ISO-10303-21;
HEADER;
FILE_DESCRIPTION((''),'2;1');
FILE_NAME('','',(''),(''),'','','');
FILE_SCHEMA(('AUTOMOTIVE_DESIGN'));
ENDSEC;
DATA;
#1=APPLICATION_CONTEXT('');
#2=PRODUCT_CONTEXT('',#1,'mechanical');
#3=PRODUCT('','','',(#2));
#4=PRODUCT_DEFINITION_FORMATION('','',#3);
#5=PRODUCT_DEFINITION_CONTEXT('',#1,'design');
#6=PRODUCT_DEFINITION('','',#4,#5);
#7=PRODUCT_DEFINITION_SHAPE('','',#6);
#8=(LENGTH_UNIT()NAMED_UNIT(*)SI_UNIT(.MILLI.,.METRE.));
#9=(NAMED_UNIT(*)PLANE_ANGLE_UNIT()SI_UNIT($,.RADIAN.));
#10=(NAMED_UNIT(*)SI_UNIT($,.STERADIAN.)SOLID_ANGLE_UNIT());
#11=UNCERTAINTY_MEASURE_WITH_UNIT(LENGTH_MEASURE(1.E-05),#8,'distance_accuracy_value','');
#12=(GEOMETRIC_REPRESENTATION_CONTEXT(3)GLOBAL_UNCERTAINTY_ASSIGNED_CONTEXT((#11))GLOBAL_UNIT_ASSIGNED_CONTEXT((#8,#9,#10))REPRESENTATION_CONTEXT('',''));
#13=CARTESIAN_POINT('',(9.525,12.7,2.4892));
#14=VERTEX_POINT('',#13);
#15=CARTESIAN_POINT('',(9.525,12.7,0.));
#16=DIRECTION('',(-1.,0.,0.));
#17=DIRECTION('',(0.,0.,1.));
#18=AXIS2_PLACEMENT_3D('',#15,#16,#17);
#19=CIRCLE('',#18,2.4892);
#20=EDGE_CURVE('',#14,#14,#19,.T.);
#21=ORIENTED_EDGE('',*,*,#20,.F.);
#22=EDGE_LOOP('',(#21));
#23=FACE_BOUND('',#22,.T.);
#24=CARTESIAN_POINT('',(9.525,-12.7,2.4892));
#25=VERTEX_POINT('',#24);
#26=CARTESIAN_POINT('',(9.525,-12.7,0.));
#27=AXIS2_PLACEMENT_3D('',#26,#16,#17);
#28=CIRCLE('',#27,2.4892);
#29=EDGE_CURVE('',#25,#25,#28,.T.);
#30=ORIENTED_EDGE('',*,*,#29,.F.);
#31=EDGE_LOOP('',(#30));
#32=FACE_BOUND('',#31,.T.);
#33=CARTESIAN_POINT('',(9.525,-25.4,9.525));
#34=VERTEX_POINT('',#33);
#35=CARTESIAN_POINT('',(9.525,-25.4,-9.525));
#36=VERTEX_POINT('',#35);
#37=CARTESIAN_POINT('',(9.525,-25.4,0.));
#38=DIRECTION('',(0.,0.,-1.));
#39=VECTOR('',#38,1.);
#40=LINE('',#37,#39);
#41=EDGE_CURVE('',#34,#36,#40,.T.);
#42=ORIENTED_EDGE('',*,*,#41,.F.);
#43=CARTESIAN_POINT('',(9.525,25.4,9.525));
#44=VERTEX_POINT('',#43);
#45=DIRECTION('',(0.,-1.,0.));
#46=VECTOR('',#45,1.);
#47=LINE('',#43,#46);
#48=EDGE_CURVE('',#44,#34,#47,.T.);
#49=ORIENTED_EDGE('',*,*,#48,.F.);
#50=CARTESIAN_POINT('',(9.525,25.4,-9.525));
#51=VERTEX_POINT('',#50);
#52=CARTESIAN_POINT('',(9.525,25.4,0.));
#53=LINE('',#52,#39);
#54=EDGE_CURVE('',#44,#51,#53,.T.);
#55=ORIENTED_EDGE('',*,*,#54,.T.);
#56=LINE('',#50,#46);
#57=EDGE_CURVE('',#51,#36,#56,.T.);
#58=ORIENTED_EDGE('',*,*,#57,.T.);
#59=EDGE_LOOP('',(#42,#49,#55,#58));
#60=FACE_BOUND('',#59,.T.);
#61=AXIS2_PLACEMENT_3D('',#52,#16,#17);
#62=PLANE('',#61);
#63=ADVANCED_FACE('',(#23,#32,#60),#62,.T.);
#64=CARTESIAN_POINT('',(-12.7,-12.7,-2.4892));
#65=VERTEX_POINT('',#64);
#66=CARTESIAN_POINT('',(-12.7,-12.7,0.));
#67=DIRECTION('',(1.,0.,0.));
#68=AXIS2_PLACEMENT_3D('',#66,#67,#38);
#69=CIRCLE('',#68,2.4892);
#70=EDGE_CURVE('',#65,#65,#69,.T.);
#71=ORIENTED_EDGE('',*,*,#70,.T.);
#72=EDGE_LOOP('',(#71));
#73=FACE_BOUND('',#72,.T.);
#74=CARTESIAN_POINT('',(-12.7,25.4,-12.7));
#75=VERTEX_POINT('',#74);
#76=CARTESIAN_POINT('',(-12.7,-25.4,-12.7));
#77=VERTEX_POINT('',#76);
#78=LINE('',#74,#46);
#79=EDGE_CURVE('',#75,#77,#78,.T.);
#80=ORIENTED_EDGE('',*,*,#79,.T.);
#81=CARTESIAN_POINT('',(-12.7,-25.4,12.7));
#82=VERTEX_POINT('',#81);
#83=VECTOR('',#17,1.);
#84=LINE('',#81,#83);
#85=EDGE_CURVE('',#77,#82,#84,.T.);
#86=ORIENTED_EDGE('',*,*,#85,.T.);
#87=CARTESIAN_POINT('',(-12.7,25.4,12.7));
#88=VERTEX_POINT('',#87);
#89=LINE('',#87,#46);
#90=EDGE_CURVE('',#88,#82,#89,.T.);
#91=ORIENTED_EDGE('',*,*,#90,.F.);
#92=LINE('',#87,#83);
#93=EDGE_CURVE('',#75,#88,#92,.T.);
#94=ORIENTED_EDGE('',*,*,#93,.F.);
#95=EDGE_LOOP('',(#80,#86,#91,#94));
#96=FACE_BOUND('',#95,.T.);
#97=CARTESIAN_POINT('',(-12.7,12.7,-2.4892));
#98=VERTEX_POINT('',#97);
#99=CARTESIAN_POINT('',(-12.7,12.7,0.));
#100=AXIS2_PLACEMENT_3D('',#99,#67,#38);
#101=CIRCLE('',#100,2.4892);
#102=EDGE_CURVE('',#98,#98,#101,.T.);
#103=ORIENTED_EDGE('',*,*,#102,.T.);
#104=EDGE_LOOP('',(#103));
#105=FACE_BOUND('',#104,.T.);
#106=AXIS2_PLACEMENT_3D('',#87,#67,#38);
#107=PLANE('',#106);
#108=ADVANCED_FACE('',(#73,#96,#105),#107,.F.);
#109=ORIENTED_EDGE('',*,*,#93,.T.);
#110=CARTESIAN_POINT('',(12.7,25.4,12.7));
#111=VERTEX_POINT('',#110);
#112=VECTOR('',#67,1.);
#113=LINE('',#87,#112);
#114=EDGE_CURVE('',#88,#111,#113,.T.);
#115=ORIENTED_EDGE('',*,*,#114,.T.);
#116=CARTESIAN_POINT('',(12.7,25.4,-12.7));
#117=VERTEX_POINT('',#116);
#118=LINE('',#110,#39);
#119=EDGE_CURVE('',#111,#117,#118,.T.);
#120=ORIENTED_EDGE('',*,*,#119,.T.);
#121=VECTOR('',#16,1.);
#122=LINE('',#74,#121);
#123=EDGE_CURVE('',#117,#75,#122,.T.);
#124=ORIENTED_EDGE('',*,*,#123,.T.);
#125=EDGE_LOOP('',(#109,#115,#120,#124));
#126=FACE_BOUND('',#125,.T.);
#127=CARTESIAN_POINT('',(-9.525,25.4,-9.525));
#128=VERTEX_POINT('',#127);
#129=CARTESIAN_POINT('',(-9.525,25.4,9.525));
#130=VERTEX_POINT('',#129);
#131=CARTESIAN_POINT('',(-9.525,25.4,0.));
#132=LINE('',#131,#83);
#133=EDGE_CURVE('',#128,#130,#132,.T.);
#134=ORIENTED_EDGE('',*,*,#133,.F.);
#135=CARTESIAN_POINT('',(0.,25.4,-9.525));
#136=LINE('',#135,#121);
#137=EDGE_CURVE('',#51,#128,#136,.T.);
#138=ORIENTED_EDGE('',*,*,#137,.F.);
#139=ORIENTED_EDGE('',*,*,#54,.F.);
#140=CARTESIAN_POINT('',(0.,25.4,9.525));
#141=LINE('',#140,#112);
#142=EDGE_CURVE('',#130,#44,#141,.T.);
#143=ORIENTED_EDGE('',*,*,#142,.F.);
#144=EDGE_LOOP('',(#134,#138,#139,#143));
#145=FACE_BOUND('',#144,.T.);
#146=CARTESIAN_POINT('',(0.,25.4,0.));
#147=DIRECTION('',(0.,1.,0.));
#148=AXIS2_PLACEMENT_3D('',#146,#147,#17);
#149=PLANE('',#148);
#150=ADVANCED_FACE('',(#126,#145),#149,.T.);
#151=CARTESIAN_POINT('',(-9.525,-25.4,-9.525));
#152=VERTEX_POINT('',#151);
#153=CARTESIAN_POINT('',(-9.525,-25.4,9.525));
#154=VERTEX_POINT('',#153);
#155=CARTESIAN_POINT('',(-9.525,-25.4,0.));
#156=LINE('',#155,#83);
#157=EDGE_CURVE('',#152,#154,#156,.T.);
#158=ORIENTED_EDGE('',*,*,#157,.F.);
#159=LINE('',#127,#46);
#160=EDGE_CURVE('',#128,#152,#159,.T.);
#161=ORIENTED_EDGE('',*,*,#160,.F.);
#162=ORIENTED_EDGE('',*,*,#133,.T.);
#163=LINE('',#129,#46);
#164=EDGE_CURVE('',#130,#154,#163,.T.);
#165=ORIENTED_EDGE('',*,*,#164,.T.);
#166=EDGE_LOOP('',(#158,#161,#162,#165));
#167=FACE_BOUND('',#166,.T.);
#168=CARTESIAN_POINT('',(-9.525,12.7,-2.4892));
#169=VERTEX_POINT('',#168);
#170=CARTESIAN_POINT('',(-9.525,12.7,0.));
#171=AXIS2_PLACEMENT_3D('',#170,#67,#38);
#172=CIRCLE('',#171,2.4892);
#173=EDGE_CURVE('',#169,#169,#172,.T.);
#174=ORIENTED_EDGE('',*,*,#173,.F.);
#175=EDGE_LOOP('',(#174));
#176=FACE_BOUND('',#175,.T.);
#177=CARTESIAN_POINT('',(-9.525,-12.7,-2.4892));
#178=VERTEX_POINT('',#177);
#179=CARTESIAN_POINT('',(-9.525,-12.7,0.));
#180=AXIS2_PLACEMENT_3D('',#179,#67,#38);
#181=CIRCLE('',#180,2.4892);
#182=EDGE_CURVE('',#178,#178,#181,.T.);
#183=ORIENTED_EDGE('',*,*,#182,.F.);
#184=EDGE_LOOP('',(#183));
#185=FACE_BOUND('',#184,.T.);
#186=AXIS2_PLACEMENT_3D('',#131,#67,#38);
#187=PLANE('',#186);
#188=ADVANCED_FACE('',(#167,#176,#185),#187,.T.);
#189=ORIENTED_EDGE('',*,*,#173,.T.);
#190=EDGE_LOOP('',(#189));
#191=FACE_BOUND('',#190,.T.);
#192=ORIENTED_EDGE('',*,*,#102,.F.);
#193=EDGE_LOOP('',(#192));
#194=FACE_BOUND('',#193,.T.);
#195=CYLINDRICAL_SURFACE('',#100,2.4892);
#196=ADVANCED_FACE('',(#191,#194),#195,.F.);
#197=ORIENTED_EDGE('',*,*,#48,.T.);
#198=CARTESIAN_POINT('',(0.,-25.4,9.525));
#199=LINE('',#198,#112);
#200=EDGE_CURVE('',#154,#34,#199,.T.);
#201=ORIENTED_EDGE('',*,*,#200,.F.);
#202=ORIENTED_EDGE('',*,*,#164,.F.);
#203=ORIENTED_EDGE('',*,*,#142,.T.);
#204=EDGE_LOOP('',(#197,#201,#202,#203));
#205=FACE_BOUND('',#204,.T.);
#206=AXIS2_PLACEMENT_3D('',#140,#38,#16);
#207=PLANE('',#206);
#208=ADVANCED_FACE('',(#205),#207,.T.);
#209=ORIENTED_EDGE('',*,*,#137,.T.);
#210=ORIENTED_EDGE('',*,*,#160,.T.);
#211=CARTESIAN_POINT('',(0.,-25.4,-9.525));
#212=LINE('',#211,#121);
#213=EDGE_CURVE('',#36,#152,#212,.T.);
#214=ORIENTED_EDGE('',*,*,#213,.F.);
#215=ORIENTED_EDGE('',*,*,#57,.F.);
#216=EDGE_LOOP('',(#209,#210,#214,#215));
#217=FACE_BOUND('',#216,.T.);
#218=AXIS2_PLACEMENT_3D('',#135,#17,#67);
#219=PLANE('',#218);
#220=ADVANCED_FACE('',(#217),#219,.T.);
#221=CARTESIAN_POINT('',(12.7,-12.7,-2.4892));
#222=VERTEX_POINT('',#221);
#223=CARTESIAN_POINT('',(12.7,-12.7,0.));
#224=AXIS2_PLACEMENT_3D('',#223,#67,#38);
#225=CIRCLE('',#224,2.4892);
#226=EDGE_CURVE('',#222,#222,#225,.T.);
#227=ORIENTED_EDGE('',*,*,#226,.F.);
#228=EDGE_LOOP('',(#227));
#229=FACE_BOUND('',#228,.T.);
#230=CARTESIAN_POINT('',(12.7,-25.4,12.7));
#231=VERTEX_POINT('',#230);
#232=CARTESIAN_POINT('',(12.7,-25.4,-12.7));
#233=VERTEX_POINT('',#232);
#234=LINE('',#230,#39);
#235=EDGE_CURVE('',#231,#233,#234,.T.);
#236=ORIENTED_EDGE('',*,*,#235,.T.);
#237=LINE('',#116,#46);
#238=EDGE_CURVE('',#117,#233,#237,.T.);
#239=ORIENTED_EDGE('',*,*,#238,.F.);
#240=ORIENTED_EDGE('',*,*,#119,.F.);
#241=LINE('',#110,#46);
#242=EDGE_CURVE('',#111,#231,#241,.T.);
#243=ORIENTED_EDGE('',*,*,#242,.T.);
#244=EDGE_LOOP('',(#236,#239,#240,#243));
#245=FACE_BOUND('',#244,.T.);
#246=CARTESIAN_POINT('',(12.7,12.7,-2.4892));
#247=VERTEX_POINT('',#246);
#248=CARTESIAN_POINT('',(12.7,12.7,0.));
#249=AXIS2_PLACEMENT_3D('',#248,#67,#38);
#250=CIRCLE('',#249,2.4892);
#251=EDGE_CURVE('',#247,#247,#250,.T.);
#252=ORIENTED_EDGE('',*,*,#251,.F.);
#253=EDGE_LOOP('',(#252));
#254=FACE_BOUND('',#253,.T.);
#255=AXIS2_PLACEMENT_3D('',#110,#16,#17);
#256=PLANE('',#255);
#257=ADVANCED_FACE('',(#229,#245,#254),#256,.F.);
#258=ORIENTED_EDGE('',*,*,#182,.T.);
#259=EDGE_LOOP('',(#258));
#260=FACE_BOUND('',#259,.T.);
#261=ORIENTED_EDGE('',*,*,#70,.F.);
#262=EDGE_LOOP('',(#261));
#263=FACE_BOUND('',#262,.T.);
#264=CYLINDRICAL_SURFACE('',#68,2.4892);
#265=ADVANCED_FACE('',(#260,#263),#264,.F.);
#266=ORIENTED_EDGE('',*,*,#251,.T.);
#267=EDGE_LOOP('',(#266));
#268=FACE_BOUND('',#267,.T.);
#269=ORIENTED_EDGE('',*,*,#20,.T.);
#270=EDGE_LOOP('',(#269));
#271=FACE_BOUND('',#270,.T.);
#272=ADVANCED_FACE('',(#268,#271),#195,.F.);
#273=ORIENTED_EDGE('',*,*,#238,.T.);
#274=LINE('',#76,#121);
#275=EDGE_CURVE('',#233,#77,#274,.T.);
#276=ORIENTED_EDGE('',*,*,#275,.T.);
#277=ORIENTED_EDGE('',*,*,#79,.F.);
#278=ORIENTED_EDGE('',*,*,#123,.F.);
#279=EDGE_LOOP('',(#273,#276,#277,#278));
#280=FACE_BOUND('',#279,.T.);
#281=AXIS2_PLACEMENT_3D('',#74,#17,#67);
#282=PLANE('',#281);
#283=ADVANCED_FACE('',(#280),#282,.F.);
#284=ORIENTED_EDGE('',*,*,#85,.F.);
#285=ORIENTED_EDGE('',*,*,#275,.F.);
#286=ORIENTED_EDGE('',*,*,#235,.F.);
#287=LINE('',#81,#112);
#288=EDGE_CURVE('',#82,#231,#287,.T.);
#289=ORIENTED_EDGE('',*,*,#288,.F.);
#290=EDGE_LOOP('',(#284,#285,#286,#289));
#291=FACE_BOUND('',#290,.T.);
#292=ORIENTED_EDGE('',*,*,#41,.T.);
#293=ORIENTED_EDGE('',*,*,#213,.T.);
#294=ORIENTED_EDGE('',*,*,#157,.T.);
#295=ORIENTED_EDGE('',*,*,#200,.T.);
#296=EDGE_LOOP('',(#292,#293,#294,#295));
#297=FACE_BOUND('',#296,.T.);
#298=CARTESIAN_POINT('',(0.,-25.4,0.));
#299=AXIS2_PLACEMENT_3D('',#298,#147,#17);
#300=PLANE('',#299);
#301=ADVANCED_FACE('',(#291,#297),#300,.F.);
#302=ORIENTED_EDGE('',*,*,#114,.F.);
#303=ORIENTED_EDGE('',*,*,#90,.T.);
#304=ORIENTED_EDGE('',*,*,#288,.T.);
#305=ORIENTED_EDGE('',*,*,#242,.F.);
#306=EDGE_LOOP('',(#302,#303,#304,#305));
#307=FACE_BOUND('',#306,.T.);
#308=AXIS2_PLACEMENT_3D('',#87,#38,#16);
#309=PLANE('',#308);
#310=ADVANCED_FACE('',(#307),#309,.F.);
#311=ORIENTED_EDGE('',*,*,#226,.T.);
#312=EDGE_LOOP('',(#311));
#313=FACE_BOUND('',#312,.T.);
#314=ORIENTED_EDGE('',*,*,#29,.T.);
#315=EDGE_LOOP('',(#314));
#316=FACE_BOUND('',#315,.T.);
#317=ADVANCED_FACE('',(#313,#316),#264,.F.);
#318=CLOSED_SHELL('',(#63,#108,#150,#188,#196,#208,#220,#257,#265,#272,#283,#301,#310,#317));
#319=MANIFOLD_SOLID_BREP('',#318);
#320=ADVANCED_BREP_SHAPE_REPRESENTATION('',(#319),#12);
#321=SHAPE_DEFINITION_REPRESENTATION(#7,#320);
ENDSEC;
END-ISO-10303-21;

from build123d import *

# Parameters (mm, degrees)
SKETCH1_W           = 25.4
SKETCH1_H           = 25.4
SKETCH1_W_2         = 19.05
SKETCH1_H_2         = 19.05
EXTRUDE_THIN1_DEPTH = 25.4
SKETCH2_R           = 2.4892
CUT_EXTRUDE1_DEPTH  = 26.4


with BuildPart() as part:
    # Sketch1 → Extrude-Thin1 (new body, symmetric)
    with BuildSketch(Plane(origin=(0, 0, 0), x_dir=(1, 0, 0), z_dir=(0, 1, 0))):
        Rectangle(SKETCH1_W, SKETCH1_H)
        Rectangle(SKETCH1_W_2, SKETCH1_H_2, mode=Mode.SUBTRACT)
    extrude(amount=EXTRUDE_THIN1_DEPTH, both=True)

    # Sketch2 → Cut-Extrude1 (cut, through all)
    with BuildSketch(Plane(origin=(12.7, 0, 0), x_dir=(0, 0, -1), z_dir=(1, 0, 0))):
        with Locations((0, 12.7)):
            Circle(SKETCH2_R)
        with Locations((0, -12.7)):
            Circle(SKETCH2_R)
    extrude(amount=-CUT_EXTRUDE1_DEPTH, mode=Mode.SUBTRACT)


solid = part.part
